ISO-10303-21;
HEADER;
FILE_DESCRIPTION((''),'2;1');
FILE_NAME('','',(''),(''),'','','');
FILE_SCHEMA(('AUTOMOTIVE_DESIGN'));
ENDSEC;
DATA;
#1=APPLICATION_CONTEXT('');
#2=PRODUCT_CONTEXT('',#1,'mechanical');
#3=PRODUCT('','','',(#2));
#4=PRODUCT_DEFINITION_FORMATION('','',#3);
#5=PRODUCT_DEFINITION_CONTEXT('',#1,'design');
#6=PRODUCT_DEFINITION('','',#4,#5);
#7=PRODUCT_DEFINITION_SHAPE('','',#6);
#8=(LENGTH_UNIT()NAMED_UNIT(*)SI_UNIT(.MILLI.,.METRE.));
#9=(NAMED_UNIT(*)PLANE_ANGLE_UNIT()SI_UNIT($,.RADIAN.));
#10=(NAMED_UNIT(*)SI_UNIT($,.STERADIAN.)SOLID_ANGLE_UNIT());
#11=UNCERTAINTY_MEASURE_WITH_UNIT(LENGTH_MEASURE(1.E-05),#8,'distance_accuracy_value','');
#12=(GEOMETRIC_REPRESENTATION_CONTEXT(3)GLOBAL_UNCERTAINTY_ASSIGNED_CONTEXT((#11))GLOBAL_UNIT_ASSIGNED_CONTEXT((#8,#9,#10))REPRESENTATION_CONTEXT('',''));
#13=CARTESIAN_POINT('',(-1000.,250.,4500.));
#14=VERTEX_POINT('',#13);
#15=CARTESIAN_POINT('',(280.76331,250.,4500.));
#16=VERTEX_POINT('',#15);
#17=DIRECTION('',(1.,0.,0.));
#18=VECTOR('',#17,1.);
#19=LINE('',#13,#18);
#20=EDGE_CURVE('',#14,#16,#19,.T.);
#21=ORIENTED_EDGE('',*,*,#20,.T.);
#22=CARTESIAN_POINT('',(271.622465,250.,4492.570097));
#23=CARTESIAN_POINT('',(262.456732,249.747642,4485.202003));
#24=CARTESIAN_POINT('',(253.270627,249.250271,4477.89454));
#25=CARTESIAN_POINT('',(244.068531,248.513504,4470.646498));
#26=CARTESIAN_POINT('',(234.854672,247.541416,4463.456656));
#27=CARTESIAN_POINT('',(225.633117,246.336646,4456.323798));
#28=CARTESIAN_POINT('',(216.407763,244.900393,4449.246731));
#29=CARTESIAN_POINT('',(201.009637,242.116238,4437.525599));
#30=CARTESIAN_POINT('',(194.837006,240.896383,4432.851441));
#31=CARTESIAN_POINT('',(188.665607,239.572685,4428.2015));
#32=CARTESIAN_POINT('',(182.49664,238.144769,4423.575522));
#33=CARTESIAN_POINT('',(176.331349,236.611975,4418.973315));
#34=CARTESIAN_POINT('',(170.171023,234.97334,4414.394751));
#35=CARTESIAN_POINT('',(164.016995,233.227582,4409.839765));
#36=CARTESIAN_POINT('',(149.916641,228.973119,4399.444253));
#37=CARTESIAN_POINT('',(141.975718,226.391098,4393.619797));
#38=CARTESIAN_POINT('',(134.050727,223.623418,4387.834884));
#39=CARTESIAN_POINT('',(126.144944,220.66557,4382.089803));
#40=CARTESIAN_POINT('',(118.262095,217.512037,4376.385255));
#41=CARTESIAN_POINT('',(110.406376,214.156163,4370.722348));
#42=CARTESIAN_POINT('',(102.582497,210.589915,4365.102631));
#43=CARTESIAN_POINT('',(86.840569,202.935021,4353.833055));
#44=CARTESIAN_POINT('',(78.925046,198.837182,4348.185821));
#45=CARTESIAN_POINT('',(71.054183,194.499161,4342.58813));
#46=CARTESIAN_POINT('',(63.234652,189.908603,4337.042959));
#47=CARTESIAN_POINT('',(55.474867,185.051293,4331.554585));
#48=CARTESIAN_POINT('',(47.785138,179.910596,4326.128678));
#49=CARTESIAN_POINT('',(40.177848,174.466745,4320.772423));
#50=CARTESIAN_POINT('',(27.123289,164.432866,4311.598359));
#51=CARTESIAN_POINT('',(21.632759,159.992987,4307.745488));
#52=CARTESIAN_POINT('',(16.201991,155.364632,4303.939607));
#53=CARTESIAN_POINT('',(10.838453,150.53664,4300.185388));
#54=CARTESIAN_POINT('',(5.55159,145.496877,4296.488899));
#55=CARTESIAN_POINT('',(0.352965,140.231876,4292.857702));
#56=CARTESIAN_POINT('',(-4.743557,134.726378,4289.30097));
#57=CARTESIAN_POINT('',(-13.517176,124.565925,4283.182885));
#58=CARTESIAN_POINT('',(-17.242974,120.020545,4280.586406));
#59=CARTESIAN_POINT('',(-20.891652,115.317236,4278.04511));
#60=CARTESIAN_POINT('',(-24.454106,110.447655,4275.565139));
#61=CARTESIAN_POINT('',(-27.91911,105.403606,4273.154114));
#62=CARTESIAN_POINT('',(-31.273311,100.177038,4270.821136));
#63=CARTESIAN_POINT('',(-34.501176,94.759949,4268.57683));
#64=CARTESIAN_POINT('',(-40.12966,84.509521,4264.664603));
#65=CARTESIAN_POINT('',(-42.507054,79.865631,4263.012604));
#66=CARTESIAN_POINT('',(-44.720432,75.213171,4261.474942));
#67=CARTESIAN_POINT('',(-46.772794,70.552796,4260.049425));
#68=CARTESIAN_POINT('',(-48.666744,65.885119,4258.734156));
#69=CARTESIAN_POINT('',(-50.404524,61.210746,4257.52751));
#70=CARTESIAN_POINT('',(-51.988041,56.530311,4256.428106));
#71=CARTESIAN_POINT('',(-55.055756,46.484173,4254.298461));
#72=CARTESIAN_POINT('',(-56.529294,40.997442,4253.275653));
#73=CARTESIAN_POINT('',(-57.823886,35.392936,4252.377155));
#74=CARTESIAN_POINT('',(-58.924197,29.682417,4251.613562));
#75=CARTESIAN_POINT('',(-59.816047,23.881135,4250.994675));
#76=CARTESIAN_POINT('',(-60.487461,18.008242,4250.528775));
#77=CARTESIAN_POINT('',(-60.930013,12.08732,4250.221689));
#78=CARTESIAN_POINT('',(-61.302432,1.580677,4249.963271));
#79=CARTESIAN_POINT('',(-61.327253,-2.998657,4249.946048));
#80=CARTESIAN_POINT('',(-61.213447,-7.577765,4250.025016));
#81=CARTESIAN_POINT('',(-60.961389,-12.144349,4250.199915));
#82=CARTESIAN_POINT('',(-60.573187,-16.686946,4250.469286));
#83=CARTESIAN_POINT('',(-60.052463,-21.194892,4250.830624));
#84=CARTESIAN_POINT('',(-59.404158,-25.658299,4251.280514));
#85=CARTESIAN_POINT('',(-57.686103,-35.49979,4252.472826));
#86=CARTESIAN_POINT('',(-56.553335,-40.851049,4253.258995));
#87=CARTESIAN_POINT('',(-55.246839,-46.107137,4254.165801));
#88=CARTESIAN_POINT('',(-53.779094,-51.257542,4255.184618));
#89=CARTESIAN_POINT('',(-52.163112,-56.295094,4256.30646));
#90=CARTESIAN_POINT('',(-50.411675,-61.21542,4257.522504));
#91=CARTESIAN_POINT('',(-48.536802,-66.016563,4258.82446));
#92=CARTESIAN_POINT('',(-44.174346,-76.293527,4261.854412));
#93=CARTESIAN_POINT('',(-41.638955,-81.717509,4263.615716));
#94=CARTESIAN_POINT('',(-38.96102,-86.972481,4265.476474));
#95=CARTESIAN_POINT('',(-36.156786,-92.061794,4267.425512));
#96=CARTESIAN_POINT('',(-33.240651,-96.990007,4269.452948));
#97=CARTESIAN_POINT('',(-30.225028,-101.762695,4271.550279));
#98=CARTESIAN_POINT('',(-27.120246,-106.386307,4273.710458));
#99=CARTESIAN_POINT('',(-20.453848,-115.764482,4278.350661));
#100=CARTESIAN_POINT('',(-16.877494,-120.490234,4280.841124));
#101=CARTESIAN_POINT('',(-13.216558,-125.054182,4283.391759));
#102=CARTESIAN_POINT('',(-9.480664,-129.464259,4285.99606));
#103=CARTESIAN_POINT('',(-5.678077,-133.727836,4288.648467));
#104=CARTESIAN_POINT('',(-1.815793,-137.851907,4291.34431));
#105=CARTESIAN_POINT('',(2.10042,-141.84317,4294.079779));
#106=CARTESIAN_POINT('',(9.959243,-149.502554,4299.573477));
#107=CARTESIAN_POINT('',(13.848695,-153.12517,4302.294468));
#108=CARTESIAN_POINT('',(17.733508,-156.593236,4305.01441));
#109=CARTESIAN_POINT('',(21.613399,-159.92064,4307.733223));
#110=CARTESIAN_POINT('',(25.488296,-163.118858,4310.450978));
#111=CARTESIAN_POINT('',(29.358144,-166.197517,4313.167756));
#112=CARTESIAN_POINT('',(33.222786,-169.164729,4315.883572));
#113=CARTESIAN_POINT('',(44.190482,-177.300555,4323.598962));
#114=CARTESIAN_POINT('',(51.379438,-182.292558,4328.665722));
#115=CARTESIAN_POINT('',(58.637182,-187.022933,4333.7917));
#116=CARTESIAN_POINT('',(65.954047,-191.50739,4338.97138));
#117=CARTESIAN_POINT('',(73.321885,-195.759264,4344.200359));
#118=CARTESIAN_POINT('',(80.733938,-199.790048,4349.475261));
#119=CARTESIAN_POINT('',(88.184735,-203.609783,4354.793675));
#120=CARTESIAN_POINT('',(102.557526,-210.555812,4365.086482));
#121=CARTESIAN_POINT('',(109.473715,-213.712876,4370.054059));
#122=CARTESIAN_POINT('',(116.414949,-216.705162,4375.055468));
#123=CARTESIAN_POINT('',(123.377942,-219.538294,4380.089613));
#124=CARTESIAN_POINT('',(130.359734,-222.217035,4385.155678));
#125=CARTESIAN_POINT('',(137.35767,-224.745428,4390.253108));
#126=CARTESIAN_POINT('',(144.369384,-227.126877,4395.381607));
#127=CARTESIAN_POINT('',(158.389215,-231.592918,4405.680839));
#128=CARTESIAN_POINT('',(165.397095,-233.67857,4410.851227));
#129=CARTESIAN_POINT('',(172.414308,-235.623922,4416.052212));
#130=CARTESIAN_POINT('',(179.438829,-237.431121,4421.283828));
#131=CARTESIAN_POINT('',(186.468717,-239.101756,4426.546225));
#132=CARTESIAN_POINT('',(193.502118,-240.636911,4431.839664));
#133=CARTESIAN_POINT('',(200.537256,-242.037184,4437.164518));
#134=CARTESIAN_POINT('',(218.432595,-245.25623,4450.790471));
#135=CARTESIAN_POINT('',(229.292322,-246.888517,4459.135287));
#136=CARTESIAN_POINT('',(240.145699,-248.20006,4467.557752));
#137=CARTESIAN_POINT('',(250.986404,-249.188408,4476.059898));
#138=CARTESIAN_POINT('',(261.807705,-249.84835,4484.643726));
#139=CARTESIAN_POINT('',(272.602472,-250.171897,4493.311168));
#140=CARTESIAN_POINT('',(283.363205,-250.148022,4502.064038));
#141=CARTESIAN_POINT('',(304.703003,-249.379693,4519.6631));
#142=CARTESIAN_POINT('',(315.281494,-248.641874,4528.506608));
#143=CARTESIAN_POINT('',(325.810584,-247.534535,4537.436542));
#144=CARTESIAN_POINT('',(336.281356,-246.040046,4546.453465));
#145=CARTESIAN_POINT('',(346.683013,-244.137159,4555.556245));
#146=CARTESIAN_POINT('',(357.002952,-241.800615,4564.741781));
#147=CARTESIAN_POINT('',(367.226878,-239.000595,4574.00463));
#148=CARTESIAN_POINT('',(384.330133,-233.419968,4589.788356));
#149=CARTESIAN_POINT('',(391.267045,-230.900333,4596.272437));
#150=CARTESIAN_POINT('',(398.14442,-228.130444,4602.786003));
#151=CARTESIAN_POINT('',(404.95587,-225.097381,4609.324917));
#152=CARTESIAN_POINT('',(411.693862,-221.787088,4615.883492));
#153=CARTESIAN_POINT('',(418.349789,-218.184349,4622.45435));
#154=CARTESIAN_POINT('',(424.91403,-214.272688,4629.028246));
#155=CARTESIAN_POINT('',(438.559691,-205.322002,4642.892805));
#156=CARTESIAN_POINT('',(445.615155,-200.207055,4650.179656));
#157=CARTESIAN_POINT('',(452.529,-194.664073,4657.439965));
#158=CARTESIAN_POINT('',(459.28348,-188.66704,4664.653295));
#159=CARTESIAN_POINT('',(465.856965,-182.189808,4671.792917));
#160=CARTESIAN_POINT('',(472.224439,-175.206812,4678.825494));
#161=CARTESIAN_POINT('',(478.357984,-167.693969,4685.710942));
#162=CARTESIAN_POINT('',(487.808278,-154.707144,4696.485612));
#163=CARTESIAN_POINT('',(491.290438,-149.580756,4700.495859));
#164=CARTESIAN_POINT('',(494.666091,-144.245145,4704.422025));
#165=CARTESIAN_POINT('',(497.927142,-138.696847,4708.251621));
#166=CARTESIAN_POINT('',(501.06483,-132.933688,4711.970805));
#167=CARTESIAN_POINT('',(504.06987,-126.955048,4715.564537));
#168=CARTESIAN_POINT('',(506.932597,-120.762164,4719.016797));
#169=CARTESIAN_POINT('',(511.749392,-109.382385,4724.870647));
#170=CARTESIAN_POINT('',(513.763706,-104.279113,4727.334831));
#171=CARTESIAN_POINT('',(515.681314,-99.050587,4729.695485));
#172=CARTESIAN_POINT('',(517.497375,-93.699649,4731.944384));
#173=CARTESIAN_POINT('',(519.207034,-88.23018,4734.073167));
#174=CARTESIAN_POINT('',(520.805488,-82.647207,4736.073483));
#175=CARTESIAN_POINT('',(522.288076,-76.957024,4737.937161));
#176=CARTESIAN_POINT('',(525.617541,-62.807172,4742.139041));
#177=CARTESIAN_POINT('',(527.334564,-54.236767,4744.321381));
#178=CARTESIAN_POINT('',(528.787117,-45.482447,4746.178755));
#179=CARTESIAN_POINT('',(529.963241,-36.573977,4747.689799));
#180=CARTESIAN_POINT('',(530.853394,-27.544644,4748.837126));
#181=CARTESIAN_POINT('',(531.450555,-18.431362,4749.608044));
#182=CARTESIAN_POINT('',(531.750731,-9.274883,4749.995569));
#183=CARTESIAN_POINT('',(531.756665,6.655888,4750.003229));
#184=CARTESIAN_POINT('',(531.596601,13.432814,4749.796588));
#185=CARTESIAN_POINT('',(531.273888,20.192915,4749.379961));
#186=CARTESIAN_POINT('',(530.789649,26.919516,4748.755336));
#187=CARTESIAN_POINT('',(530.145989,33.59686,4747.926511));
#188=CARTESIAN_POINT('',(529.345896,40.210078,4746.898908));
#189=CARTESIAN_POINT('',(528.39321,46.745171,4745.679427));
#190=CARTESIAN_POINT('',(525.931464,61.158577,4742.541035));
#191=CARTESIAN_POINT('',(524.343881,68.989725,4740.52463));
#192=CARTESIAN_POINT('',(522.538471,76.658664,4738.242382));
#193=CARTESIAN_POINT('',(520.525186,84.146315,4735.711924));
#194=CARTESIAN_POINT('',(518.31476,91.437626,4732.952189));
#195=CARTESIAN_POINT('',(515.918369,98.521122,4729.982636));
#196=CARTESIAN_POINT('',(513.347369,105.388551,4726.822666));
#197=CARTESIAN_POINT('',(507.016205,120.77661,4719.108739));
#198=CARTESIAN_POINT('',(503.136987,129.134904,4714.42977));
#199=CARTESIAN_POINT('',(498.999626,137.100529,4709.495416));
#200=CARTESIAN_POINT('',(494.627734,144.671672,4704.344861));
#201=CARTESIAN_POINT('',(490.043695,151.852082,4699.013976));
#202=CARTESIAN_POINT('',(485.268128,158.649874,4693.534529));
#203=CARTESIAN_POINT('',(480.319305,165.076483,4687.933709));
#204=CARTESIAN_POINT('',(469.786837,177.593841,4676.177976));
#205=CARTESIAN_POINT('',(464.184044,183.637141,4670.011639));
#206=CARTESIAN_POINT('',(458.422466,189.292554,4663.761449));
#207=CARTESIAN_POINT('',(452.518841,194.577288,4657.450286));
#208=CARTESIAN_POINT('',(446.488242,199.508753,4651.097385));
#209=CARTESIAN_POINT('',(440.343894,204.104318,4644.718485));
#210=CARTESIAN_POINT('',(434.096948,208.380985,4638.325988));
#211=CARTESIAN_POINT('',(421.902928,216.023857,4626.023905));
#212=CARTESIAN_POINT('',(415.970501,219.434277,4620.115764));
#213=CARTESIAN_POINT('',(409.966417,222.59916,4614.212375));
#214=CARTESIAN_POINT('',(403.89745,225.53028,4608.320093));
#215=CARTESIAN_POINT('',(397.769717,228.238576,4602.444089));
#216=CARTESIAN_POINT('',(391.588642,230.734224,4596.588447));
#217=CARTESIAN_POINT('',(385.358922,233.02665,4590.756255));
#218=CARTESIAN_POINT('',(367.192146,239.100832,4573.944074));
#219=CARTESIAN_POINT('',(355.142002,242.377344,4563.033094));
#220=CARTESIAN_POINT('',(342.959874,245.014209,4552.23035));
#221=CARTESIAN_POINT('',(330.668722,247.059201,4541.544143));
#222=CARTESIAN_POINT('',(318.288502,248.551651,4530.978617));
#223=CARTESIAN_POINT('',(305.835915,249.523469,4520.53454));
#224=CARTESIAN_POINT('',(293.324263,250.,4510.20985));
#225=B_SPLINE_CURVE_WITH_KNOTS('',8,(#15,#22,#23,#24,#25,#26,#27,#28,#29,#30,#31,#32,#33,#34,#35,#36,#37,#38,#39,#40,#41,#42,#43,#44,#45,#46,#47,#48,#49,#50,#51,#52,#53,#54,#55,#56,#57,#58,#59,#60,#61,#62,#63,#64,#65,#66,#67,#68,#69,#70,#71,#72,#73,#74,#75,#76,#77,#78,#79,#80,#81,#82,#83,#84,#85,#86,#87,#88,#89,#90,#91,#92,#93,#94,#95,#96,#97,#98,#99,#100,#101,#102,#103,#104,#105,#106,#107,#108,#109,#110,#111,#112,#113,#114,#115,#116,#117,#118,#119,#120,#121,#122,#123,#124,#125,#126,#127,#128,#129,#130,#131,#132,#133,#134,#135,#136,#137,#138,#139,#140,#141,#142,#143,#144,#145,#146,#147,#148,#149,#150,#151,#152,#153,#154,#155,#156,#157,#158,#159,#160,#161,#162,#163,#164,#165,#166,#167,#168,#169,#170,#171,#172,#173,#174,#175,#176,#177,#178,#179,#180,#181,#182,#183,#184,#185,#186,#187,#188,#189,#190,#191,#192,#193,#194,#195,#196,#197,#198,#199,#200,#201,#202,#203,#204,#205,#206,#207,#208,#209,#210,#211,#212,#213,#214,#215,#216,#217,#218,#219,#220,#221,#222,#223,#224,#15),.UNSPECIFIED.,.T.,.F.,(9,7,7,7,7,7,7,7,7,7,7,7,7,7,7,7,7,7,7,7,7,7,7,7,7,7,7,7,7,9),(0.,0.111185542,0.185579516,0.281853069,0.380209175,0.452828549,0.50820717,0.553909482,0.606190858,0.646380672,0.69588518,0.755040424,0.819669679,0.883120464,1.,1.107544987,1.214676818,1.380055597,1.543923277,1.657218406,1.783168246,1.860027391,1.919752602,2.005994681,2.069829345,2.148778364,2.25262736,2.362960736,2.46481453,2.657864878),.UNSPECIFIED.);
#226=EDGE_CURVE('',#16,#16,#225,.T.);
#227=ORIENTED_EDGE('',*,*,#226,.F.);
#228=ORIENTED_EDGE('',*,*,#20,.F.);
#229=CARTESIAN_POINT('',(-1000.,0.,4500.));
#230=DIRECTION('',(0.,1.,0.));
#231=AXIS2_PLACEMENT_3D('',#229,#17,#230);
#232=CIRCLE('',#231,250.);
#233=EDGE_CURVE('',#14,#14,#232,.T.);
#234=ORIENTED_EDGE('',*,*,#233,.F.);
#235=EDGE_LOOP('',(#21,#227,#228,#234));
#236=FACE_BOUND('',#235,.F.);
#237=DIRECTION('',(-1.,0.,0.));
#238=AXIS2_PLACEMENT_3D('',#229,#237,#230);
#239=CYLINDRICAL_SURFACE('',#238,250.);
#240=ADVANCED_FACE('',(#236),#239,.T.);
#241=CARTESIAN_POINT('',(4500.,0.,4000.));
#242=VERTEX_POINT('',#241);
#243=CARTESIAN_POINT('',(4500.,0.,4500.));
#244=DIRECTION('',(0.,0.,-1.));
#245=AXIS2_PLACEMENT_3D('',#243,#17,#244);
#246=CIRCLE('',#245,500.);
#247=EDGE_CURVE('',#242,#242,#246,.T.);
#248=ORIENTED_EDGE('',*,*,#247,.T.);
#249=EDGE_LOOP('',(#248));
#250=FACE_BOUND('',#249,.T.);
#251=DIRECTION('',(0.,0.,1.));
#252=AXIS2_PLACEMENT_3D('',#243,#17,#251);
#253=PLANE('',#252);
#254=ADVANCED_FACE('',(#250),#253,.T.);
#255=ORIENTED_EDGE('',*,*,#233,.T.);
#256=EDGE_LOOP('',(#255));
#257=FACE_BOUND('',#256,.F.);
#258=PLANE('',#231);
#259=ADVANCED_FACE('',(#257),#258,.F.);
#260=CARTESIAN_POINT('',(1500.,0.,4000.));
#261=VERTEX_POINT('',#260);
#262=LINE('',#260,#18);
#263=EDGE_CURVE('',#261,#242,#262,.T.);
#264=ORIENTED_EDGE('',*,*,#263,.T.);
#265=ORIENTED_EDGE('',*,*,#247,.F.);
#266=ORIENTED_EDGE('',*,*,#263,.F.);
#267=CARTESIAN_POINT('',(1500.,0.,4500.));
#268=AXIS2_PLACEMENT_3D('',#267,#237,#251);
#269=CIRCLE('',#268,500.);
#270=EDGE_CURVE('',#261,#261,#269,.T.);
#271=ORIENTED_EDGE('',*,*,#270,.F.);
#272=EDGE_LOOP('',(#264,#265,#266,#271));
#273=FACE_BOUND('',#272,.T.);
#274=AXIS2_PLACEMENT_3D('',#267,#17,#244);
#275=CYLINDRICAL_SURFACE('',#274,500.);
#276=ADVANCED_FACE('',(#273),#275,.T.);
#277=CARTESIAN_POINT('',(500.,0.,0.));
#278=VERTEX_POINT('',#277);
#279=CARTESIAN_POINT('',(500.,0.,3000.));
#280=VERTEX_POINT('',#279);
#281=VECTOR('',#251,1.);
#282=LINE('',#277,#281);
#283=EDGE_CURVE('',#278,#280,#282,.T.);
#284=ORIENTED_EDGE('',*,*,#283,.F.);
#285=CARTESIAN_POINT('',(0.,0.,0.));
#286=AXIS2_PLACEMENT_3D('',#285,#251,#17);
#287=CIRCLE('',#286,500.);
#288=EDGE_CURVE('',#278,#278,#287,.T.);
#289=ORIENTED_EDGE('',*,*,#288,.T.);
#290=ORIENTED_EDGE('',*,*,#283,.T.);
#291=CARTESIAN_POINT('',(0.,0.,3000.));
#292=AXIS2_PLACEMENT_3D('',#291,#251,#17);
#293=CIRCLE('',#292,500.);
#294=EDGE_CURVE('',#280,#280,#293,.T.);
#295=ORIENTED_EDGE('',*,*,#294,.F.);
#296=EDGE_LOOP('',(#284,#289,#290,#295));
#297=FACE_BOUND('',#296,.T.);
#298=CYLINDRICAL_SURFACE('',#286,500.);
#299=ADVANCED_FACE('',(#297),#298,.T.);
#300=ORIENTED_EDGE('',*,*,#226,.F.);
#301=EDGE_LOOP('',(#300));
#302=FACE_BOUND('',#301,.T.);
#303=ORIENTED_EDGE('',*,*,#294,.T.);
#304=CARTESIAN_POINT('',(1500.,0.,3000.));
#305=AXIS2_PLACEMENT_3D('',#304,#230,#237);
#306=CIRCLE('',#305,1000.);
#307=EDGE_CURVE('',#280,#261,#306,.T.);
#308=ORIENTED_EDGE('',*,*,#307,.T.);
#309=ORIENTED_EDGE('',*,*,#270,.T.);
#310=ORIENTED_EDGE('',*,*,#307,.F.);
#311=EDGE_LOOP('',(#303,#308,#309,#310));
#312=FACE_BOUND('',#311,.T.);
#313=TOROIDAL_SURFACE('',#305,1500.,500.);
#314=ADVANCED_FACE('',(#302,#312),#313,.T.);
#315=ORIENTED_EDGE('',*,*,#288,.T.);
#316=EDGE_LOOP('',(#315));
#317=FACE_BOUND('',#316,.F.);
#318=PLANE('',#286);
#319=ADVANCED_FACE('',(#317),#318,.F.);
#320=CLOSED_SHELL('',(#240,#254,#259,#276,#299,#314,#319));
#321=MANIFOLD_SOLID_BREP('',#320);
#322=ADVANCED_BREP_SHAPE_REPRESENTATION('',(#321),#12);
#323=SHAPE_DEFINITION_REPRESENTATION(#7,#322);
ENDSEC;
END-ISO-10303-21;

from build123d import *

# Parameters (mm, degrees)
F1_R     = 500
F4_R     = 250
F5_DEPTH = 3000


with BuildPart() as f2:
    # F2: sweep along a path in F0
    with BuildLine(Plane.XZ) as f2_path:
        Line((0, 0), (0, 3000))
        ThreePointArc((0, 3000), (439.3398282202, 4060.6601717798), (1500, 4500))
        Line((1500, 4500), (4500, 4500))
    # F1 (on Top) → F2 (sweep)
    with BuildSketch(Plane.XY):
        Circle(F1_R)
    sweep(path=f2_path.line)

    # F4 (on offset) → F5 (join)
    with BuildSketch(Plane.YZ.offset(-1000)):
        with Locations((0, 4500)):
            Circle(F4_R)
    extrude(amount=F5_DEPTH)


solid = f2.part
